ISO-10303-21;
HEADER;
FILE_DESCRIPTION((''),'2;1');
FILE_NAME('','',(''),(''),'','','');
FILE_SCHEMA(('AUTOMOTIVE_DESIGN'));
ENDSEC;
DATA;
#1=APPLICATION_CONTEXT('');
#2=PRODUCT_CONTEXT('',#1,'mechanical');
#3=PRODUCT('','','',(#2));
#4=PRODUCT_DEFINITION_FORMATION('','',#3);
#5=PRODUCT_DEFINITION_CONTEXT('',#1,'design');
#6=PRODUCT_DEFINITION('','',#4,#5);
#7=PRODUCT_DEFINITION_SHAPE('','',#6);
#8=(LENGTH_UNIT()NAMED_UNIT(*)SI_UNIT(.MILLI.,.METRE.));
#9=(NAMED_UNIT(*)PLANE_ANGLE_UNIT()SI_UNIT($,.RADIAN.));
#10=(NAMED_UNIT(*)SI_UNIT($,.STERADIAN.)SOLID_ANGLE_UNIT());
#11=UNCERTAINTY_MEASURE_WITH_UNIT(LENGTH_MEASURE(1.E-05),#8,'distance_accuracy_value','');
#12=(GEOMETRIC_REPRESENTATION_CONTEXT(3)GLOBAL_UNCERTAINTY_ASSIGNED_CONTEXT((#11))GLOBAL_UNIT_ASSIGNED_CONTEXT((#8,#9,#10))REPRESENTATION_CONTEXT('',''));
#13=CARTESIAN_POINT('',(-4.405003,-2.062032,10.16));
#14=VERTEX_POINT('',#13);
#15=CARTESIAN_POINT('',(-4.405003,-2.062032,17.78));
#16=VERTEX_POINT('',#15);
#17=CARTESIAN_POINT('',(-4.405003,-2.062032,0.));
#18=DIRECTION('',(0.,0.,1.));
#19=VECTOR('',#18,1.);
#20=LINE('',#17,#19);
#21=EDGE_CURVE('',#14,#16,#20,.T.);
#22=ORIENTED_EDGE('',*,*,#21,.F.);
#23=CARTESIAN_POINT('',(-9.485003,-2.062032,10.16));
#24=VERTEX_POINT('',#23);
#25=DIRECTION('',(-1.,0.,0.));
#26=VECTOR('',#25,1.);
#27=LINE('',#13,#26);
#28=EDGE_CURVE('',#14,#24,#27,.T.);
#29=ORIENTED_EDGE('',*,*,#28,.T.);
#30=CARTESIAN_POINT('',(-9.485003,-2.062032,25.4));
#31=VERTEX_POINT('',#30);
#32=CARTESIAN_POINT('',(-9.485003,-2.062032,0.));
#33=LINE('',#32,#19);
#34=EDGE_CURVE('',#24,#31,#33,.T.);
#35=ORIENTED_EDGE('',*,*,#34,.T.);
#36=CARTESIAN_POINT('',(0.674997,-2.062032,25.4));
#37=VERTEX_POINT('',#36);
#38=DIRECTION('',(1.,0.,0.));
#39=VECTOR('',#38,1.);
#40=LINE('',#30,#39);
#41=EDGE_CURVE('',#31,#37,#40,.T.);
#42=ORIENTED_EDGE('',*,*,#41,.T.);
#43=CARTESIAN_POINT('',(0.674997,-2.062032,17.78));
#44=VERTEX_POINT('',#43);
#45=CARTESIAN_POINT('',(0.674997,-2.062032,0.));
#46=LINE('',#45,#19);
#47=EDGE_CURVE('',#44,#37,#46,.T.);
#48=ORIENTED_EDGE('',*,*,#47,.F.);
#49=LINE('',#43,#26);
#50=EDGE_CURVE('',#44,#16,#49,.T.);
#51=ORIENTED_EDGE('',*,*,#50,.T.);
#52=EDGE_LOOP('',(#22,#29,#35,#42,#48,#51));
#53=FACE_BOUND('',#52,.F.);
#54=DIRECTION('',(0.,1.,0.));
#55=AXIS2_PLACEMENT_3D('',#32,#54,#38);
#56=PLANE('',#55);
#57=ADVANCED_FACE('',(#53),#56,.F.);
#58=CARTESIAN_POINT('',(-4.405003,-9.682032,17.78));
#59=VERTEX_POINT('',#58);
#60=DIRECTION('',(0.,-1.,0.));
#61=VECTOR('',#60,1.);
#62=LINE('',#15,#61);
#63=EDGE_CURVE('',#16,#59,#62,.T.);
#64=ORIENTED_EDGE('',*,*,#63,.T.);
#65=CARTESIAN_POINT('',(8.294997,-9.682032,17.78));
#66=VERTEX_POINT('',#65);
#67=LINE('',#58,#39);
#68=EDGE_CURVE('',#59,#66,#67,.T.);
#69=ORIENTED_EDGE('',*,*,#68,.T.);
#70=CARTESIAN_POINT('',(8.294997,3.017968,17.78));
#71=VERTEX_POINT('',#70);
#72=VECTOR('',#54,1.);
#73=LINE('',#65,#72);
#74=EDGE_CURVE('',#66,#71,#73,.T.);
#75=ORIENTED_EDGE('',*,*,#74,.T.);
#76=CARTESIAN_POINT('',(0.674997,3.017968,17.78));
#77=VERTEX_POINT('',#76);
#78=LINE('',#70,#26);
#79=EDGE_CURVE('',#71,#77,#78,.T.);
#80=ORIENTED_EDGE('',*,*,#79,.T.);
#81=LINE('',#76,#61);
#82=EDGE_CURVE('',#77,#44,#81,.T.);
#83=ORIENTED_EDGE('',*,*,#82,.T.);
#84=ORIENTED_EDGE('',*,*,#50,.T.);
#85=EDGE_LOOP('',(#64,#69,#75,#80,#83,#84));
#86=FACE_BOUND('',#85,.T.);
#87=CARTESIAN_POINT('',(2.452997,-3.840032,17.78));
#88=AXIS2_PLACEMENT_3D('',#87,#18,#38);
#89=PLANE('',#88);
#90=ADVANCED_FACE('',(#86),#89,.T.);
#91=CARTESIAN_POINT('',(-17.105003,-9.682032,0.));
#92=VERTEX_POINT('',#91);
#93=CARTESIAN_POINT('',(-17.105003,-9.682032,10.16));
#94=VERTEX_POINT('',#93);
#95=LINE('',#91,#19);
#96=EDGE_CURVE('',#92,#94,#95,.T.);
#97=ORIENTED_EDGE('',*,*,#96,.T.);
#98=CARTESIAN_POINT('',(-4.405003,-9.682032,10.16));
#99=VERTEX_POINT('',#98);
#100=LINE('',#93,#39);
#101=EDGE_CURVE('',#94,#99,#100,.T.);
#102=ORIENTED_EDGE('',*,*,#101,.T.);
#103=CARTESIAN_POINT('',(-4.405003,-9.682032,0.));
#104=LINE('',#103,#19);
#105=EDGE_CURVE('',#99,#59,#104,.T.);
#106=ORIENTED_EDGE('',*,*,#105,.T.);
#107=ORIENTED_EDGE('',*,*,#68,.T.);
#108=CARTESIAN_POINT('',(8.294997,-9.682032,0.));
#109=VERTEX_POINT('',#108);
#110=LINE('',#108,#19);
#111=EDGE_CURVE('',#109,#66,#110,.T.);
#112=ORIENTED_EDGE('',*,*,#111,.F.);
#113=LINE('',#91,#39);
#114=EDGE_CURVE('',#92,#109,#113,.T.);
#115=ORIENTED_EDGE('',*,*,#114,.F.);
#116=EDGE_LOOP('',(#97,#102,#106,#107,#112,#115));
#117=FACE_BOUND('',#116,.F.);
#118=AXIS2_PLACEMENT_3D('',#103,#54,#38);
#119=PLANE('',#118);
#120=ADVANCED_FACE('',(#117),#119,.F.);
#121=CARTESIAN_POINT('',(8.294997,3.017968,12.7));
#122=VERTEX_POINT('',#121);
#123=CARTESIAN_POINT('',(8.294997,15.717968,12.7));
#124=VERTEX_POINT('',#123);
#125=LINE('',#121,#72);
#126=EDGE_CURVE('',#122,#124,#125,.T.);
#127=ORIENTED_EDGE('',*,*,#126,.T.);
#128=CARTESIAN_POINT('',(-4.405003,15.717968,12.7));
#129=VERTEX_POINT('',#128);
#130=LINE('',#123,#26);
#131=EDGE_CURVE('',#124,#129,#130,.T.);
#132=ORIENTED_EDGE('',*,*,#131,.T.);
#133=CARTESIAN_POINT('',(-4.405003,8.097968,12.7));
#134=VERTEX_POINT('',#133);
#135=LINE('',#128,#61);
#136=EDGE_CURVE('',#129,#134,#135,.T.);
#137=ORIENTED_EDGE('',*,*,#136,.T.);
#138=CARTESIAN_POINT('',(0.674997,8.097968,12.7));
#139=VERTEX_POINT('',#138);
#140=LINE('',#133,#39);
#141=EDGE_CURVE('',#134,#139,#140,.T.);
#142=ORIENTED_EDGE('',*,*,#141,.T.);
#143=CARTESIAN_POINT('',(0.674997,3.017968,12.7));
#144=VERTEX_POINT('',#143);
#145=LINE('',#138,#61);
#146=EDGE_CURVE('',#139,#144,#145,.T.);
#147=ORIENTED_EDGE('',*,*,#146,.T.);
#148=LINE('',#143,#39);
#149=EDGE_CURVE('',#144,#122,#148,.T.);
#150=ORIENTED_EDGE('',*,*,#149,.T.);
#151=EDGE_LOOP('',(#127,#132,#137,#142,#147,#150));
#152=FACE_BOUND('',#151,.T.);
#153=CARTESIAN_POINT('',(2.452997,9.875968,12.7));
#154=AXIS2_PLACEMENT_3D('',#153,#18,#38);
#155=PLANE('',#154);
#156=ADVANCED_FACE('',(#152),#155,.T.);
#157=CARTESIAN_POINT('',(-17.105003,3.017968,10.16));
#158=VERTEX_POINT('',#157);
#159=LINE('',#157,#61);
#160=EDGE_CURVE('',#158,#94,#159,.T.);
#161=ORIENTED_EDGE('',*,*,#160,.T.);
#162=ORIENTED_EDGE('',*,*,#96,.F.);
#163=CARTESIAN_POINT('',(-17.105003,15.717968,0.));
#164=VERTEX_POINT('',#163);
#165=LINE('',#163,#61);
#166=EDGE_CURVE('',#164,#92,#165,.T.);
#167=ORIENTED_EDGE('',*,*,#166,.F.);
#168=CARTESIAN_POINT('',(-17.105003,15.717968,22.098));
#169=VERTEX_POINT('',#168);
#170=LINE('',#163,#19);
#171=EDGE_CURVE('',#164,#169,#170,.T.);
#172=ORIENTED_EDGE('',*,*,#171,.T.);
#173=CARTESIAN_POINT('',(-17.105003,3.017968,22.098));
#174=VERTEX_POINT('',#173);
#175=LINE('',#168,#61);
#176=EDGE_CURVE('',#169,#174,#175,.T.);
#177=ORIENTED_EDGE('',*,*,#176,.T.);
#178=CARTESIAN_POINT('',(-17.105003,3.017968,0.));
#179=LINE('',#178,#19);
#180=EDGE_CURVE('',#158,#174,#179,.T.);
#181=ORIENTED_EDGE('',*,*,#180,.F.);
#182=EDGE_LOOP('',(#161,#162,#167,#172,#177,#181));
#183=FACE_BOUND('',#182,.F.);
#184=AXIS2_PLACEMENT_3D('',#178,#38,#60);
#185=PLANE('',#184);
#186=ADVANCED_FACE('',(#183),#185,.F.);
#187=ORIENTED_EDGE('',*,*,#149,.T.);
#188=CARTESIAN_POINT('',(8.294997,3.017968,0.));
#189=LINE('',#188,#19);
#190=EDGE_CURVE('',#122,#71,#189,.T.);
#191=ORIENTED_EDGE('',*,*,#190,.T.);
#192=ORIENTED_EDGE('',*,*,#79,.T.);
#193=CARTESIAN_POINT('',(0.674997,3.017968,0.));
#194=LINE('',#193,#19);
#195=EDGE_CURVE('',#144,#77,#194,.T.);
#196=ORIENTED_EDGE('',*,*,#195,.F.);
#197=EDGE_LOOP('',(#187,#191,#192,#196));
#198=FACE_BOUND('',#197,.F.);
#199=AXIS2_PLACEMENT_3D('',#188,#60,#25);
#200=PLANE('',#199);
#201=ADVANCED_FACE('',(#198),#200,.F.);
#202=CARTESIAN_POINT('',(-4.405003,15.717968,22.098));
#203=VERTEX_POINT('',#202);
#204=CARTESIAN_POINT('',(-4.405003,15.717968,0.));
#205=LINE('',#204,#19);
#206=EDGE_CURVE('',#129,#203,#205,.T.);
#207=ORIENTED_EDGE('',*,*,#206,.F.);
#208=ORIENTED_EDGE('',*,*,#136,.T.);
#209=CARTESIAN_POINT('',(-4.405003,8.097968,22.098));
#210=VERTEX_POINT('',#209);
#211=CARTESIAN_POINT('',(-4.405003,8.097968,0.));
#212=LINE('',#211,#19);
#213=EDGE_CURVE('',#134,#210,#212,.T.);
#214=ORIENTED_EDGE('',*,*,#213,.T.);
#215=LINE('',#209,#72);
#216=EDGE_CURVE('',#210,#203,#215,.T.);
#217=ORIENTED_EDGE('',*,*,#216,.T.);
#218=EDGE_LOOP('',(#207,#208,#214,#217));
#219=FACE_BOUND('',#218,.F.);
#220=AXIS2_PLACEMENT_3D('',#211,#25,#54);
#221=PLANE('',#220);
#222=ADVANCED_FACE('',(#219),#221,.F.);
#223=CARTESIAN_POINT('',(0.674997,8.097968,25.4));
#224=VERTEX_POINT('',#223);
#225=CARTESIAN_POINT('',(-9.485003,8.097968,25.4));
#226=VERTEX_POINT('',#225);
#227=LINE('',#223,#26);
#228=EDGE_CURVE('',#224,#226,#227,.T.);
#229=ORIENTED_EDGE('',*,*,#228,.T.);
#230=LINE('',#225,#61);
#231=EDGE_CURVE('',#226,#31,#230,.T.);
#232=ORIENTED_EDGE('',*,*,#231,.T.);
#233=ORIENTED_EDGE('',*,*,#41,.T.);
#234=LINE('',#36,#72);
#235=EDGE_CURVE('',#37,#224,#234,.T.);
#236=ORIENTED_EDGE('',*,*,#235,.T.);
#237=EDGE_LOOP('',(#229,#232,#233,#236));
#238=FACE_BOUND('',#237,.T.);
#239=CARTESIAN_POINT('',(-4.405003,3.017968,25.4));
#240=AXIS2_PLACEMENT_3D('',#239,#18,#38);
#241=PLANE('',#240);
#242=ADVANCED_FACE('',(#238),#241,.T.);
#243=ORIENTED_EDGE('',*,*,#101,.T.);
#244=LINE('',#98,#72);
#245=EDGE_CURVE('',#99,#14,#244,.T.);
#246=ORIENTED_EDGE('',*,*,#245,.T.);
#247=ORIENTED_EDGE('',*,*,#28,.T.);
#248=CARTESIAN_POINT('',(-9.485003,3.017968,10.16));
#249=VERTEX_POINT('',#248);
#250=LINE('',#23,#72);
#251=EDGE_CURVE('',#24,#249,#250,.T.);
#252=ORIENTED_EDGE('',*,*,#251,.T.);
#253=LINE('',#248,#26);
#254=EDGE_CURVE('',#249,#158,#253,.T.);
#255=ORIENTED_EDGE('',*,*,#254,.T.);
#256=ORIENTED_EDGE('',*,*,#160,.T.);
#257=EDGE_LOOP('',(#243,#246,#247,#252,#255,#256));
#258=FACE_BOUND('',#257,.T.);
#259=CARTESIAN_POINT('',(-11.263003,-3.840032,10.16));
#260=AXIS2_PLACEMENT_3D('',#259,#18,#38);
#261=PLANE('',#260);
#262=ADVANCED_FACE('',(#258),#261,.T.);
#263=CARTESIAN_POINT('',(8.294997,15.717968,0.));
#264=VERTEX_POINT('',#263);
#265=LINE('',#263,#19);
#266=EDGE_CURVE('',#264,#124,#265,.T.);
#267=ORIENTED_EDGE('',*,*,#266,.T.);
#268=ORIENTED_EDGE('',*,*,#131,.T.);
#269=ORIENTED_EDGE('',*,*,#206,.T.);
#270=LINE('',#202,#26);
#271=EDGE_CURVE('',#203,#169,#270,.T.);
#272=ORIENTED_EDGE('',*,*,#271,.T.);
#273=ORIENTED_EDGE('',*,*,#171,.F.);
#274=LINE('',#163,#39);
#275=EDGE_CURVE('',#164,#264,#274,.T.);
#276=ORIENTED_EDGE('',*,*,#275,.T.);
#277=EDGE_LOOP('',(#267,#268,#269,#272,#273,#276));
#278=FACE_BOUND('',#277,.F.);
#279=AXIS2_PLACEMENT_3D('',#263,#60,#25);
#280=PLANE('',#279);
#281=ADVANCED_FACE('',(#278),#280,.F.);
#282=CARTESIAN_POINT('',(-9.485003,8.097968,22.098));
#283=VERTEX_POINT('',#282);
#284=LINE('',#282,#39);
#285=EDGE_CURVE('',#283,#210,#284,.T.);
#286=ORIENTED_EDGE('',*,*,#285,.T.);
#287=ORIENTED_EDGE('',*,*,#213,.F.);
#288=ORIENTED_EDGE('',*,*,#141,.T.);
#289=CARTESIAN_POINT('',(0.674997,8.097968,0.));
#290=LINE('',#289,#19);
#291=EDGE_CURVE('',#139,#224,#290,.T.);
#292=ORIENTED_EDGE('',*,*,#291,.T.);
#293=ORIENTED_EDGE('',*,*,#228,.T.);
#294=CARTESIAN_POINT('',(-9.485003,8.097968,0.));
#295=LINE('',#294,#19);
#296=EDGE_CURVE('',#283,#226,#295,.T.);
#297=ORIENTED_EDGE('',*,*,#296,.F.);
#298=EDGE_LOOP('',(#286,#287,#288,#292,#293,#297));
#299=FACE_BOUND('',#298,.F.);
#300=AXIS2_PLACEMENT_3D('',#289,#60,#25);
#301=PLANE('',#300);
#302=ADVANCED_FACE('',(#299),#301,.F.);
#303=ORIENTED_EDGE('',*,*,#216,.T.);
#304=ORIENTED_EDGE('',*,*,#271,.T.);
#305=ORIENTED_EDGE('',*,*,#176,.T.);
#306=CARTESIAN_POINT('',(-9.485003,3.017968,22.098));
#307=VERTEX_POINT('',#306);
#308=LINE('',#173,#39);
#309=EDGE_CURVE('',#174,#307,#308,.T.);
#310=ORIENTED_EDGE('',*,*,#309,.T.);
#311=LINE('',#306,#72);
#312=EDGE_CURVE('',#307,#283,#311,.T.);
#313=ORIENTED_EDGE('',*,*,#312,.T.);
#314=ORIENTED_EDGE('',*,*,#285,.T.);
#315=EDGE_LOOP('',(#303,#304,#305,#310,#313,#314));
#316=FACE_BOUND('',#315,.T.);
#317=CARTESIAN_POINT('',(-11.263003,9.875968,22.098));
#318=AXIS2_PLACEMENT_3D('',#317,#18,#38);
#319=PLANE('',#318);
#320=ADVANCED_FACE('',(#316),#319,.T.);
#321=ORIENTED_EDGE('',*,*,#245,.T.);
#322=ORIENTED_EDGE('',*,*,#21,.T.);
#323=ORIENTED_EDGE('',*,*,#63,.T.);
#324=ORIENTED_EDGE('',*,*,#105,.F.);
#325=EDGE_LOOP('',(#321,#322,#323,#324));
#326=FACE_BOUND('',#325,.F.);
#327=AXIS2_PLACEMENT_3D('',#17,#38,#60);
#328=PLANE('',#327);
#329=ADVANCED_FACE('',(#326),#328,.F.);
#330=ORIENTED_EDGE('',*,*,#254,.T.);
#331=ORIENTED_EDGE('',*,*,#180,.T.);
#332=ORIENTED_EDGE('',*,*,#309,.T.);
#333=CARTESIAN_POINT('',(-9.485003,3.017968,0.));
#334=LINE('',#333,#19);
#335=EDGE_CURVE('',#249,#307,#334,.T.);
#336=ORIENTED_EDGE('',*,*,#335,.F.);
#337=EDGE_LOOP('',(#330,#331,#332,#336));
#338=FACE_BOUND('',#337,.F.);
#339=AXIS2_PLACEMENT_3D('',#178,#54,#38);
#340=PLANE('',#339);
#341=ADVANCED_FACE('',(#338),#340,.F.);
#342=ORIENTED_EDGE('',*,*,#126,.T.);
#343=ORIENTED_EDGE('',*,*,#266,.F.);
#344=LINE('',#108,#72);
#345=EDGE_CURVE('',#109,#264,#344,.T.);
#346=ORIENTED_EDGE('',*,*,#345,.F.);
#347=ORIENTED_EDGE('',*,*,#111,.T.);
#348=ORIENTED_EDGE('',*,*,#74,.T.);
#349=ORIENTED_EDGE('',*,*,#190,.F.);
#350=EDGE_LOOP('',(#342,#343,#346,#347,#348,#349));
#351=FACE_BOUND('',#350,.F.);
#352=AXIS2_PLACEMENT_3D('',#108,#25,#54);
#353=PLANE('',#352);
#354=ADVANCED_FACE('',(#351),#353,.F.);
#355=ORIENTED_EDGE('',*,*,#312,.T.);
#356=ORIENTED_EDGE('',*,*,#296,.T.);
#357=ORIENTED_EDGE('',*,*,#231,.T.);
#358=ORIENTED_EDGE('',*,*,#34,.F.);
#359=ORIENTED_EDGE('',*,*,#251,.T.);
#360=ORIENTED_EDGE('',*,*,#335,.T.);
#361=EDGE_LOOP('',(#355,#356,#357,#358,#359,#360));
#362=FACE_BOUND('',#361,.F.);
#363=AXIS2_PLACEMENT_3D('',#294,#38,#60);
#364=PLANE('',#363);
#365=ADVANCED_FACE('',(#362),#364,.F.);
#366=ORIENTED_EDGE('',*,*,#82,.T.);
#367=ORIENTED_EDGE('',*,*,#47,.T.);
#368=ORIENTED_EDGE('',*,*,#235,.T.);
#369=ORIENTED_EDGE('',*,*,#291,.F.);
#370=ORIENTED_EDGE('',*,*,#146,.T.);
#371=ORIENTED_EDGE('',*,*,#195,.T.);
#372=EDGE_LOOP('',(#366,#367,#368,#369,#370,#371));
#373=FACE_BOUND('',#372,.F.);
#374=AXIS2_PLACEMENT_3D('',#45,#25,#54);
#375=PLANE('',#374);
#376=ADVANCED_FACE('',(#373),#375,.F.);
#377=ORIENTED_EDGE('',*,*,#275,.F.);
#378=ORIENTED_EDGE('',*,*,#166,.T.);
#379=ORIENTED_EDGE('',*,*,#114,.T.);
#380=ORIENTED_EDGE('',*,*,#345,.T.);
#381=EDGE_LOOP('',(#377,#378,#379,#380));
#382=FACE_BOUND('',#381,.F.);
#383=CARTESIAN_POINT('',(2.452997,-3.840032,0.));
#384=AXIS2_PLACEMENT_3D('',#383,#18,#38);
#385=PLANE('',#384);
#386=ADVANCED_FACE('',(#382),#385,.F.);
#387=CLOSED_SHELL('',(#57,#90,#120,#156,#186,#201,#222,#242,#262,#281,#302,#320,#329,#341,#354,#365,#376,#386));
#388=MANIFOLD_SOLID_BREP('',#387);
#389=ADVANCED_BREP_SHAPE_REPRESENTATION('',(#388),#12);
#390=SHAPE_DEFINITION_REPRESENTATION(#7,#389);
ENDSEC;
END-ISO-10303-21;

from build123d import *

# Parameters (mm, degrees)
F1_DEPTH = 22.098
F2_DEPTH = 12.7
F3_DEPTH = 10.16
F4_DEPTH = 17.78
F5_DEPTH = 25.4


with BuildPart() as f1:
    # F0 (on Top) → F1 (new body)
    with BuildSketch(Plane.XY):
        Polygon((-4.405003, 8.097968), (-4.405003, 15.717968), (-17.105003, 15.717968), (-17.105003, 3.017968), (-9.622183, 3.017968), (-9.485003, 3.017968), (-9.485003, 8.097968), align=None)
    extrude(amount=F1_DEPTH)

    # F0 (on Top) → F2 (join)
    with BuildSketch(Plane.XY):
        Polygon((0.674997, 3.017968), (8.294997, 3.017968), (8.294997, 15.717968), (-4.405003, 15.717968), (-4.405003, 8.097968), (0.674997, 8.097968), align=None)
    extrude(amount=F2_DEPTH)

    # F0 (on Top) → F3 (join)
    with BuildSketch(Plane.XY):
        Polygon((-17.105003, -9.682032), (-4.405003, -9.682032), (-4.405003, -2.062032), (-9.485003, -2.062032), (-9.485003, 3.017968), (-9.622183, 3.017968), (-17.105003, 3.017968), (-17.105003, -3.333643), align=None)
    extrude(amount=F3_DEPTH)

    # F0 (on Top) → F4 (join)
    with BuildSketch(Plane.XY):
        Polygon((-4.405003, -9.682032), (8.294997, -9.682032), (8.294997, 3.017968), (0.674997, 3.017968), (0.674997, -2.062032), (-4.405003, -2.062032), align=None)
    extrude(amount=F4_DEPTH)

    # F0 (on Top) → F5 (join)
    with BuildSketch(Plane.XY):
        Polygon((-9.485003, -2.062032), (-4.405003, -2.062032), (0.674997, -2.062032), (0.674997, 3.017968), (0.674997, 8.097968), (-4.405003, 8.097968), (-9.485003, 8.097968), (-9.485003, 3.017968), align=None)
    extrude(amount=F5_DEPTH)


solid = f1.part
